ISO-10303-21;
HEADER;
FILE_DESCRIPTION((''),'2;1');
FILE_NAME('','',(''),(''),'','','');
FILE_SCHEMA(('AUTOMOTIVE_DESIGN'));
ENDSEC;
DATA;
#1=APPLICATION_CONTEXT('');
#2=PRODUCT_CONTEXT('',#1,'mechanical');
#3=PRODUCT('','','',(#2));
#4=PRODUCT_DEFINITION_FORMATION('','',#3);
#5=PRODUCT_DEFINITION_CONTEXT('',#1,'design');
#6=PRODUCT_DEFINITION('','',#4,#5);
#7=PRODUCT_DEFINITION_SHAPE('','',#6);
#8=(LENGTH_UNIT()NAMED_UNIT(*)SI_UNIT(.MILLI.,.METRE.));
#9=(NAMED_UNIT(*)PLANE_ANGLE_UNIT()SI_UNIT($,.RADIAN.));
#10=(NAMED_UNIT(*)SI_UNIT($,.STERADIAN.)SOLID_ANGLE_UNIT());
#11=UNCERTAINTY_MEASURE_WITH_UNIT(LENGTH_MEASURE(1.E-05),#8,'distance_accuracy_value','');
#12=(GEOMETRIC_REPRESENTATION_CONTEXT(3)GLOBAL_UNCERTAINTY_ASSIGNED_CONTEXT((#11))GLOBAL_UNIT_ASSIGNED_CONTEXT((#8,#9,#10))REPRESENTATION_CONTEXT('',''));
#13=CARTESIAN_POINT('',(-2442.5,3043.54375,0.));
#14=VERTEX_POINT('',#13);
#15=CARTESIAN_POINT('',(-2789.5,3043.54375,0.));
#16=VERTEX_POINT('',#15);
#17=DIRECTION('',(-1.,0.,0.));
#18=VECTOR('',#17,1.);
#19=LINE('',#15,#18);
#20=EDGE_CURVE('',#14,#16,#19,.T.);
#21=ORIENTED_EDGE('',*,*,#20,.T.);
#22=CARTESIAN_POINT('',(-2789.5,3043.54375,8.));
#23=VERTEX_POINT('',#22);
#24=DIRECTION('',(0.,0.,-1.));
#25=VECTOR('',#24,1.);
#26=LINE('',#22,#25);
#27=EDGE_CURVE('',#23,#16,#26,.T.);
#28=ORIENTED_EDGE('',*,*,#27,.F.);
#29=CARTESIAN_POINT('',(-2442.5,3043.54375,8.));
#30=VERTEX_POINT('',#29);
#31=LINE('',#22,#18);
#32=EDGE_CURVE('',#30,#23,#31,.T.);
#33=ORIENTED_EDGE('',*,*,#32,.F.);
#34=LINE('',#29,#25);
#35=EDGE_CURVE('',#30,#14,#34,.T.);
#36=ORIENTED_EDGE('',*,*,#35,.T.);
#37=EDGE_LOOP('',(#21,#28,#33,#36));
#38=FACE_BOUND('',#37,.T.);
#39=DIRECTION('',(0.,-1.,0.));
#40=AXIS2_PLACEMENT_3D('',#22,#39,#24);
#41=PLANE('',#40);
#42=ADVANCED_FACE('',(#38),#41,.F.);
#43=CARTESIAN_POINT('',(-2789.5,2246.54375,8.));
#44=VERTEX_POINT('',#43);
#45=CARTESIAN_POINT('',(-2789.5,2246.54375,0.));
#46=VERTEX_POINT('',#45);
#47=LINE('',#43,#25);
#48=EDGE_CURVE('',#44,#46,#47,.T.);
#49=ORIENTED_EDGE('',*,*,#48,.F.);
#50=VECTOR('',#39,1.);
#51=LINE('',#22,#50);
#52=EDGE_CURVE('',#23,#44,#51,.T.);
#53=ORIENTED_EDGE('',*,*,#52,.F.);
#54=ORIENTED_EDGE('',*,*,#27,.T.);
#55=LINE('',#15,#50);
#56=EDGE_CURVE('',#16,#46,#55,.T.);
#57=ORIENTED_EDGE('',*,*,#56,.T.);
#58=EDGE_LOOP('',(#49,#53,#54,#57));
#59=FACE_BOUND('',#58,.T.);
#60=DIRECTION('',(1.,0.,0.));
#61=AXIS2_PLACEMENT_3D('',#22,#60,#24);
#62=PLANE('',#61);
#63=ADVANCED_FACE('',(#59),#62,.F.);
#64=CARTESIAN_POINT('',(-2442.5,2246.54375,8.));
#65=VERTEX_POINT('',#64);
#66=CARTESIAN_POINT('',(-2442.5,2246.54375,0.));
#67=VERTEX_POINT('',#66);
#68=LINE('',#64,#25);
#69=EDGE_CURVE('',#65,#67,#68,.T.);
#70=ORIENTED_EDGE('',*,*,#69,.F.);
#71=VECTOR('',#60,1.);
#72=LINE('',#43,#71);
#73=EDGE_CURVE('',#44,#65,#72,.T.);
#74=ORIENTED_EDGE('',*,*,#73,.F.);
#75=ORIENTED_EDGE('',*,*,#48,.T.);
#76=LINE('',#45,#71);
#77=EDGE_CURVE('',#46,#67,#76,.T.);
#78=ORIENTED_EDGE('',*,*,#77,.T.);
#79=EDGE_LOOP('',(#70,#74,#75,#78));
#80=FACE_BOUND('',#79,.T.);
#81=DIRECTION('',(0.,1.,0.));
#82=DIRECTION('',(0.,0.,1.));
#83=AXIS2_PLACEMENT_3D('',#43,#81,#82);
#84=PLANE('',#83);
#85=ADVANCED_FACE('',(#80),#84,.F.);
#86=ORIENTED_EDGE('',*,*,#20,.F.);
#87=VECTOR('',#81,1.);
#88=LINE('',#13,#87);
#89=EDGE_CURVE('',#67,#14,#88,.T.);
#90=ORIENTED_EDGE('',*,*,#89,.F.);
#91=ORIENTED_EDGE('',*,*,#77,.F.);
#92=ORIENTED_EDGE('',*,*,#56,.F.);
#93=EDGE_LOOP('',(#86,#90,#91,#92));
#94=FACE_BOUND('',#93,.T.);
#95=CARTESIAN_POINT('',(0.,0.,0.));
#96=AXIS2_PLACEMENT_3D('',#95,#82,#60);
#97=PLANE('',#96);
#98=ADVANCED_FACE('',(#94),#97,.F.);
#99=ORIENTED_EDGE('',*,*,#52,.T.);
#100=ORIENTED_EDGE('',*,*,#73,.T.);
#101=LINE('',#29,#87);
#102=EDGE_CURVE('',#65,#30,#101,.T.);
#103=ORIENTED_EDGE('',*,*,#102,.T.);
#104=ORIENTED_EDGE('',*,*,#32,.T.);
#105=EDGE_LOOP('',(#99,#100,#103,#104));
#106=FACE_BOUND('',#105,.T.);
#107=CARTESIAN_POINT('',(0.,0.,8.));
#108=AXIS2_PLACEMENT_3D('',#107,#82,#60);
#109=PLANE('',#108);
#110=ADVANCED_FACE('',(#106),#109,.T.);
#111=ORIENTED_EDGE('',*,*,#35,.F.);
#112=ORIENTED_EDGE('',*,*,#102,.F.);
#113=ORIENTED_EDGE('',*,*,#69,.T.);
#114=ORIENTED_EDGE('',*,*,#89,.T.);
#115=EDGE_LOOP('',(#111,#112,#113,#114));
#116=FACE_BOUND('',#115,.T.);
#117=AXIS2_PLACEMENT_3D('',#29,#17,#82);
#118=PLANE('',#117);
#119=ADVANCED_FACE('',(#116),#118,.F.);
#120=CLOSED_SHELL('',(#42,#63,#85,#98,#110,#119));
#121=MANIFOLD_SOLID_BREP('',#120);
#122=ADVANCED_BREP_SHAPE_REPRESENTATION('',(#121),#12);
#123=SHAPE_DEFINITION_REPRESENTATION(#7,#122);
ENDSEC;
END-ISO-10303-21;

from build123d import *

# Parameters (mm, degrees)
SKETCH_1_W      = 347
SKETCH_1_H      = 797
EXTRUDE_1_DEPTH = 8


with BuildPart() as part:
    # 草图1 → 凸台-拉伸1 (new body)
    with BuildSketch(Plane.XY):
        with Locations((-2616, 2645.04375)):
            Rectangle(SKETCH_1_W, SKETCH_1_H)
    extrude(amount=EXTRUDE_1_DEPTH)


solid = part.part
